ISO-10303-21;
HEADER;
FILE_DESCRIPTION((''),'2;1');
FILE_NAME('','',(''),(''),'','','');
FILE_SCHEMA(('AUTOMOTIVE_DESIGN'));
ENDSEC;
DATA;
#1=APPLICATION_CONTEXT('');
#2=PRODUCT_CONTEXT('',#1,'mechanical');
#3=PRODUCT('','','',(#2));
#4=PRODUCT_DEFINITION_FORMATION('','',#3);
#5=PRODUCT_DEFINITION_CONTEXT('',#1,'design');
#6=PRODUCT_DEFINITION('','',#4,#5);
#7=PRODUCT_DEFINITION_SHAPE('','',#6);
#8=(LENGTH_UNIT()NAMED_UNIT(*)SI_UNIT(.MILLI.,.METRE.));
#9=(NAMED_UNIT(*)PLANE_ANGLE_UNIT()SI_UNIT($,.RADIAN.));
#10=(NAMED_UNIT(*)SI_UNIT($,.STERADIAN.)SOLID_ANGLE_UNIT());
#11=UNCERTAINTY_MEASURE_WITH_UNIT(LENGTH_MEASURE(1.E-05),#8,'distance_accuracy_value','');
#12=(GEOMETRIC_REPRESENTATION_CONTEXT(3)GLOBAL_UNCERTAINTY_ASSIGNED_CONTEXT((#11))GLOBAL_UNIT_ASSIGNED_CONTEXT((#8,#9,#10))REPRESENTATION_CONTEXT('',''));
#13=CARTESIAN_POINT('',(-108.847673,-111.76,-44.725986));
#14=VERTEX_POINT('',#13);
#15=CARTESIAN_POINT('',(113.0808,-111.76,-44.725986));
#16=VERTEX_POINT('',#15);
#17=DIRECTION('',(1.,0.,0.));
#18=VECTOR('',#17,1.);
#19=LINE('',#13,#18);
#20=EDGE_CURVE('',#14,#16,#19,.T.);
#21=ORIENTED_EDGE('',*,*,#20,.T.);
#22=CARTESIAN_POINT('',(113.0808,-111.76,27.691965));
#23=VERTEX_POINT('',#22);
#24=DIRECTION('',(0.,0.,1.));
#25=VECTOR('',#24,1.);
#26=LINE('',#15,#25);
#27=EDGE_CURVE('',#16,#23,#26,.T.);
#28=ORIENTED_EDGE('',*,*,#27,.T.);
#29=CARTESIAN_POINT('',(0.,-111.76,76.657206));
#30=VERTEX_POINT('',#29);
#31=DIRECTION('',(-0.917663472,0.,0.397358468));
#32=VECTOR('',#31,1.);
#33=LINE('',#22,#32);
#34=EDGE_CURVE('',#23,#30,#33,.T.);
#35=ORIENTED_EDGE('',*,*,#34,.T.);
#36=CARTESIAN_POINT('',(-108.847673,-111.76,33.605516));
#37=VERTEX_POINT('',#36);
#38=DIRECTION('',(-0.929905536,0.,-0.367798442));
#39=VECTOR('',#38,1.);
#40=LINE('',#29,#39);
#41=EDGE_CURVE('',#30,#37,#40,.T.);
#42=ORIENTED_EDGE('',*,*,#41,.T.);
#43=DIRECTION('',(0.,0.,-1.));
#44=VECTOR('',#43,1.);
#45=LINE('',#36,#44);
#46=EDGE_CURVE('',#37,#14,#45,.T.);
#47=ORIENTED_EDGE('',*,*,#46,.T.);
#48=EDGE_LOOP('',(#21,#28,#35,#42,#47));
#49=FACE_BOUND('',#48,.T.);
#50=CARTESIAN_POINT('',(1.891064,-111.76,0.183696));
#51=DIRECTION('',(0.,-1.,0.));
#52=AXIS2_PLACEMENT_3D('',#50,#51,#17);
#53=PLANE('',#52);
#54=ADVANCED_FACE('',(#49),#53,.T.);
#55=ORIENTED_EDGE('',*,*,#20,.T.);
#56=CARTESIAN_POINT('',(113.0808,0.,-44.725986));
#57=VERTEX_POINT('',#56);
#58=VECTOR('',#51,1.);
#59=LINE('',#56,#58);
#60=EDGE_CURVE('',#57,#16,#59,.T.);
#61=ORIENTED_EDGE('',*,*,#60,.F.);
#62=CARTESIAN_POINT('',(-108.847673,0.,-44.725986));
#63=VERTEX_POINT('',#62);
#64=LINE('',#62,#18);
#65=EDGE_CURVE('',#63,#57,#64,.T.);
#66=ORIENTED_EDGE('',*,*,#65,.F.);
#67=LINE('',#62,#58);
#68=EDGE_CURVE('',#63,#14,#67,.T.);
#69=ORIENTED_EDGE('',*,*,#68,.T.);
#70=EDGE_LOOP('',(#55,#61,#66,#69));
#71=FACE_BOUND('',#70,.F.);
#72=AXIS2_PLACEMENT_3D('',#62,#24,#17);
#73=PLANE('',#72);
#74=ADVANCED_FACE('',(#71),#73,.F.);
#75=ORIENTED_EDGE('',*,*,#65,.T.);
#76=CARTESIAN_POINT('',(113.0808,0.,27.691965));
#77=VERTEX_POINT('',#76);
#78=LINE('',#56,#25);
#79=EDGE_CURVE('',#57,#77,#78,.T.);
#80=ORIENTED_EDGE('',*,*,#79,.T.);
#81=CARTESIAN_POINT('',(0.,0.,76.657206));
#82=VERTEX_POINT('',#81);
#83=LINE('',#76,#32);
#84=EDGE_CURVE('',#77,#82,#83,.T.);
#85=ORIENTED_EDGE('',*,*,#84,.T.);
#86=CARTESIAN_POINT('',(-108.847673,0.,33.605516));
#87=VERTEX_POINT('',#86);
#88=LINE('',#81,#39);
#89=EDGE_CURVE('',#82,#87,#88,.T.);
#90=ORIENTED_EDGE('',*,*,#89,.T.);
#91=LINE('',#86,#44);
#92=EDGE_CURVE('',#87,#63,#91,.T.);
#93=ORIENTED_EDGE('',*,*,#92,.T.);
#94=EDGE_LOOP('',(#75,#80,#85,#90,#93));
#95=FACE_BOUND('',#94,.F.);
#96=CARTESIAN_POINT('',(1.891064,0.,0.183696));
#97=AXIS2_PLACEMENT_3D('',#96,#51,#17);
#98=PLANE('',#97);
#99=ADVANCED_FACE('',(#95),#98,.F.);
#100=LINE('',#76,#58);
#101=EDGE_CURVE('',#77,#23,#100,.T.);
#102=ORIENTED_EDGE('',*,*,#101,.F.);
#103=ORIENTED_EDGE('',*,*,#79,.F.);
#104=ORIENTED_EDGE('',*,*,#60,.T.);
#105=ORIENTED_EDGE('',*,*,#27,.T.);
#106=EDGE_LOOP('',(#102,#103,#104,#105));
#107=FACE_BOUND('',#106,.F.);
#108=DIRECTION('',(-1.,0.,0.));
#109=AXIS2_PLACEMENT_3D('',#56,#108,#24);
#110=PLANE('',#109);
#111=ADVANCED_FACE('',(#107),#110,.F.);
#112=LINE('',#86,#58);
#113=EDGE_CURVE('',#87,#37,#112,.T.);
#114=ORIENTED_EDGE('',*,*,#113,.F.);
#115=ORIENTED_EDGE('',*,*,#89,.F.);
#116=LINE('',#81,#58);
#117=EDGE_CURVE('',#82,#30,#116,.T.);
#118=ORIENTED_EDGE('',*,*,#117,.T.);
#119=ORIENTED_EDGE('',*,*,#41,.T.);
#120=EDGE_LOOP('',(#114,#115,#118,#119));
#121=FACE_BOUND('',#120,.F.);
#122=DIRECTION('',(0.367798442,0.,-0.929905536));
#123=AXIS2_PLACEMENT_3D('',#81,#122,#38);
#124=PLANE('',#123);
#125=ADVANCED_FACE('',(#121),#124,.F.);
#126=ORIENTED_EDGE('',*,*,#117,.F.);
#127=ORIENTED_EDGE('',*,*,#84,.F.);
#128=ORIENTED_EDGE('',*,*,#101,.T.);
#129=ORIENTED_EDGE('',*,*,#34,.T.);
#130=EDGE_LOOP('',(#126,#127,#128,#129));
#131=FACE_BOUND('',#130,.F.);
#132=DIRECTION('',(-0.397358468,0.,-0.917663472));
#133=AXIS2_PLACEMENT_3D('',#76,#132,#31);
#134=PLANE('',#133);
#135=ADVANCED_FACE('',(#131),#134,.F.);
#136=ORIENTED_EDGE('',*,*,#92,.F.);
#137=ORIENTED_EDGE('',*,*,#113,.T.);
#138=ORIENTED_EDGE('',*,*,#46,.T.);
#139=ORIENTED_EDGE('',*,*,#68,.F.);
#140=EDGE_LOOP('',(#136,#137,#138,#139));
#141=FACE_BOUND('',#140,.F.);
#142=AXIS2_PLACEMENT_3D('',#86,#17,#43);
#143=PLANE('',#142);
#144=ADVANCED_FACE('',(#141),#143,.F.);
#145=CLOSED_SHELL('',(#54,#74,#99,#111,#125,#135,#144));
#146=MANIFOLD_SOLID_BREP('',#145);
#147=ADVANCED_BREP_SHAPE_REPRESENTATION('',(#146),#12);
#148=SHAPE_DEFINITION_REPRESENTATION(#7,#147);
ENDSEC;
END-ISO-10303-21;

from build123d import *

# Parameters (mm, degrees)
F1_DEPTH = 111.76


with BuildPart() as f1:
    # F0 (on Front) → F1 (new body)
    with BuildSketch(Plane.XZ):
        Polygon((0, 44.7259859435), (-51.8159978092, 24.2315996438), (-108.8476730079, 1.6742962576), (-51.8159978092, -24.2315996438), (0, -44.7259859435), (51.8159978092, -24.2315996438), (113.0807995796, 0), (51.8159978092, 24.2315996438), align=None)
        Polygon((-108.8476730079, 1.6742962576), (-51.8159978092, 24.2315996438), (0, 44.7259859435), (0, 76.6572058201), (-108.8476730079, 33.6055161342), align=None)
        Polygon((-51.8159978092, -24.2315996438), (-108.8476730079, 1.6742962576), (-108.8476730079, -44.7259859435), (0, -44.7259859435), align=None)
        Polygon((0, 76.6572058201), (0, 44.7259859435), (51.8159978092, 24.2315996438), (113.0807995796, 0), (113.0807995796, 27.6919645567), align=None)
        Polygon((51.8159978092, -24.2315996438), (0, -44.7259859435), (113.0807995796, -44.7259859435), (113.0807995796, 0), align=None)
    extrude(amount=F1_DEPTH)


solid = f1.part
